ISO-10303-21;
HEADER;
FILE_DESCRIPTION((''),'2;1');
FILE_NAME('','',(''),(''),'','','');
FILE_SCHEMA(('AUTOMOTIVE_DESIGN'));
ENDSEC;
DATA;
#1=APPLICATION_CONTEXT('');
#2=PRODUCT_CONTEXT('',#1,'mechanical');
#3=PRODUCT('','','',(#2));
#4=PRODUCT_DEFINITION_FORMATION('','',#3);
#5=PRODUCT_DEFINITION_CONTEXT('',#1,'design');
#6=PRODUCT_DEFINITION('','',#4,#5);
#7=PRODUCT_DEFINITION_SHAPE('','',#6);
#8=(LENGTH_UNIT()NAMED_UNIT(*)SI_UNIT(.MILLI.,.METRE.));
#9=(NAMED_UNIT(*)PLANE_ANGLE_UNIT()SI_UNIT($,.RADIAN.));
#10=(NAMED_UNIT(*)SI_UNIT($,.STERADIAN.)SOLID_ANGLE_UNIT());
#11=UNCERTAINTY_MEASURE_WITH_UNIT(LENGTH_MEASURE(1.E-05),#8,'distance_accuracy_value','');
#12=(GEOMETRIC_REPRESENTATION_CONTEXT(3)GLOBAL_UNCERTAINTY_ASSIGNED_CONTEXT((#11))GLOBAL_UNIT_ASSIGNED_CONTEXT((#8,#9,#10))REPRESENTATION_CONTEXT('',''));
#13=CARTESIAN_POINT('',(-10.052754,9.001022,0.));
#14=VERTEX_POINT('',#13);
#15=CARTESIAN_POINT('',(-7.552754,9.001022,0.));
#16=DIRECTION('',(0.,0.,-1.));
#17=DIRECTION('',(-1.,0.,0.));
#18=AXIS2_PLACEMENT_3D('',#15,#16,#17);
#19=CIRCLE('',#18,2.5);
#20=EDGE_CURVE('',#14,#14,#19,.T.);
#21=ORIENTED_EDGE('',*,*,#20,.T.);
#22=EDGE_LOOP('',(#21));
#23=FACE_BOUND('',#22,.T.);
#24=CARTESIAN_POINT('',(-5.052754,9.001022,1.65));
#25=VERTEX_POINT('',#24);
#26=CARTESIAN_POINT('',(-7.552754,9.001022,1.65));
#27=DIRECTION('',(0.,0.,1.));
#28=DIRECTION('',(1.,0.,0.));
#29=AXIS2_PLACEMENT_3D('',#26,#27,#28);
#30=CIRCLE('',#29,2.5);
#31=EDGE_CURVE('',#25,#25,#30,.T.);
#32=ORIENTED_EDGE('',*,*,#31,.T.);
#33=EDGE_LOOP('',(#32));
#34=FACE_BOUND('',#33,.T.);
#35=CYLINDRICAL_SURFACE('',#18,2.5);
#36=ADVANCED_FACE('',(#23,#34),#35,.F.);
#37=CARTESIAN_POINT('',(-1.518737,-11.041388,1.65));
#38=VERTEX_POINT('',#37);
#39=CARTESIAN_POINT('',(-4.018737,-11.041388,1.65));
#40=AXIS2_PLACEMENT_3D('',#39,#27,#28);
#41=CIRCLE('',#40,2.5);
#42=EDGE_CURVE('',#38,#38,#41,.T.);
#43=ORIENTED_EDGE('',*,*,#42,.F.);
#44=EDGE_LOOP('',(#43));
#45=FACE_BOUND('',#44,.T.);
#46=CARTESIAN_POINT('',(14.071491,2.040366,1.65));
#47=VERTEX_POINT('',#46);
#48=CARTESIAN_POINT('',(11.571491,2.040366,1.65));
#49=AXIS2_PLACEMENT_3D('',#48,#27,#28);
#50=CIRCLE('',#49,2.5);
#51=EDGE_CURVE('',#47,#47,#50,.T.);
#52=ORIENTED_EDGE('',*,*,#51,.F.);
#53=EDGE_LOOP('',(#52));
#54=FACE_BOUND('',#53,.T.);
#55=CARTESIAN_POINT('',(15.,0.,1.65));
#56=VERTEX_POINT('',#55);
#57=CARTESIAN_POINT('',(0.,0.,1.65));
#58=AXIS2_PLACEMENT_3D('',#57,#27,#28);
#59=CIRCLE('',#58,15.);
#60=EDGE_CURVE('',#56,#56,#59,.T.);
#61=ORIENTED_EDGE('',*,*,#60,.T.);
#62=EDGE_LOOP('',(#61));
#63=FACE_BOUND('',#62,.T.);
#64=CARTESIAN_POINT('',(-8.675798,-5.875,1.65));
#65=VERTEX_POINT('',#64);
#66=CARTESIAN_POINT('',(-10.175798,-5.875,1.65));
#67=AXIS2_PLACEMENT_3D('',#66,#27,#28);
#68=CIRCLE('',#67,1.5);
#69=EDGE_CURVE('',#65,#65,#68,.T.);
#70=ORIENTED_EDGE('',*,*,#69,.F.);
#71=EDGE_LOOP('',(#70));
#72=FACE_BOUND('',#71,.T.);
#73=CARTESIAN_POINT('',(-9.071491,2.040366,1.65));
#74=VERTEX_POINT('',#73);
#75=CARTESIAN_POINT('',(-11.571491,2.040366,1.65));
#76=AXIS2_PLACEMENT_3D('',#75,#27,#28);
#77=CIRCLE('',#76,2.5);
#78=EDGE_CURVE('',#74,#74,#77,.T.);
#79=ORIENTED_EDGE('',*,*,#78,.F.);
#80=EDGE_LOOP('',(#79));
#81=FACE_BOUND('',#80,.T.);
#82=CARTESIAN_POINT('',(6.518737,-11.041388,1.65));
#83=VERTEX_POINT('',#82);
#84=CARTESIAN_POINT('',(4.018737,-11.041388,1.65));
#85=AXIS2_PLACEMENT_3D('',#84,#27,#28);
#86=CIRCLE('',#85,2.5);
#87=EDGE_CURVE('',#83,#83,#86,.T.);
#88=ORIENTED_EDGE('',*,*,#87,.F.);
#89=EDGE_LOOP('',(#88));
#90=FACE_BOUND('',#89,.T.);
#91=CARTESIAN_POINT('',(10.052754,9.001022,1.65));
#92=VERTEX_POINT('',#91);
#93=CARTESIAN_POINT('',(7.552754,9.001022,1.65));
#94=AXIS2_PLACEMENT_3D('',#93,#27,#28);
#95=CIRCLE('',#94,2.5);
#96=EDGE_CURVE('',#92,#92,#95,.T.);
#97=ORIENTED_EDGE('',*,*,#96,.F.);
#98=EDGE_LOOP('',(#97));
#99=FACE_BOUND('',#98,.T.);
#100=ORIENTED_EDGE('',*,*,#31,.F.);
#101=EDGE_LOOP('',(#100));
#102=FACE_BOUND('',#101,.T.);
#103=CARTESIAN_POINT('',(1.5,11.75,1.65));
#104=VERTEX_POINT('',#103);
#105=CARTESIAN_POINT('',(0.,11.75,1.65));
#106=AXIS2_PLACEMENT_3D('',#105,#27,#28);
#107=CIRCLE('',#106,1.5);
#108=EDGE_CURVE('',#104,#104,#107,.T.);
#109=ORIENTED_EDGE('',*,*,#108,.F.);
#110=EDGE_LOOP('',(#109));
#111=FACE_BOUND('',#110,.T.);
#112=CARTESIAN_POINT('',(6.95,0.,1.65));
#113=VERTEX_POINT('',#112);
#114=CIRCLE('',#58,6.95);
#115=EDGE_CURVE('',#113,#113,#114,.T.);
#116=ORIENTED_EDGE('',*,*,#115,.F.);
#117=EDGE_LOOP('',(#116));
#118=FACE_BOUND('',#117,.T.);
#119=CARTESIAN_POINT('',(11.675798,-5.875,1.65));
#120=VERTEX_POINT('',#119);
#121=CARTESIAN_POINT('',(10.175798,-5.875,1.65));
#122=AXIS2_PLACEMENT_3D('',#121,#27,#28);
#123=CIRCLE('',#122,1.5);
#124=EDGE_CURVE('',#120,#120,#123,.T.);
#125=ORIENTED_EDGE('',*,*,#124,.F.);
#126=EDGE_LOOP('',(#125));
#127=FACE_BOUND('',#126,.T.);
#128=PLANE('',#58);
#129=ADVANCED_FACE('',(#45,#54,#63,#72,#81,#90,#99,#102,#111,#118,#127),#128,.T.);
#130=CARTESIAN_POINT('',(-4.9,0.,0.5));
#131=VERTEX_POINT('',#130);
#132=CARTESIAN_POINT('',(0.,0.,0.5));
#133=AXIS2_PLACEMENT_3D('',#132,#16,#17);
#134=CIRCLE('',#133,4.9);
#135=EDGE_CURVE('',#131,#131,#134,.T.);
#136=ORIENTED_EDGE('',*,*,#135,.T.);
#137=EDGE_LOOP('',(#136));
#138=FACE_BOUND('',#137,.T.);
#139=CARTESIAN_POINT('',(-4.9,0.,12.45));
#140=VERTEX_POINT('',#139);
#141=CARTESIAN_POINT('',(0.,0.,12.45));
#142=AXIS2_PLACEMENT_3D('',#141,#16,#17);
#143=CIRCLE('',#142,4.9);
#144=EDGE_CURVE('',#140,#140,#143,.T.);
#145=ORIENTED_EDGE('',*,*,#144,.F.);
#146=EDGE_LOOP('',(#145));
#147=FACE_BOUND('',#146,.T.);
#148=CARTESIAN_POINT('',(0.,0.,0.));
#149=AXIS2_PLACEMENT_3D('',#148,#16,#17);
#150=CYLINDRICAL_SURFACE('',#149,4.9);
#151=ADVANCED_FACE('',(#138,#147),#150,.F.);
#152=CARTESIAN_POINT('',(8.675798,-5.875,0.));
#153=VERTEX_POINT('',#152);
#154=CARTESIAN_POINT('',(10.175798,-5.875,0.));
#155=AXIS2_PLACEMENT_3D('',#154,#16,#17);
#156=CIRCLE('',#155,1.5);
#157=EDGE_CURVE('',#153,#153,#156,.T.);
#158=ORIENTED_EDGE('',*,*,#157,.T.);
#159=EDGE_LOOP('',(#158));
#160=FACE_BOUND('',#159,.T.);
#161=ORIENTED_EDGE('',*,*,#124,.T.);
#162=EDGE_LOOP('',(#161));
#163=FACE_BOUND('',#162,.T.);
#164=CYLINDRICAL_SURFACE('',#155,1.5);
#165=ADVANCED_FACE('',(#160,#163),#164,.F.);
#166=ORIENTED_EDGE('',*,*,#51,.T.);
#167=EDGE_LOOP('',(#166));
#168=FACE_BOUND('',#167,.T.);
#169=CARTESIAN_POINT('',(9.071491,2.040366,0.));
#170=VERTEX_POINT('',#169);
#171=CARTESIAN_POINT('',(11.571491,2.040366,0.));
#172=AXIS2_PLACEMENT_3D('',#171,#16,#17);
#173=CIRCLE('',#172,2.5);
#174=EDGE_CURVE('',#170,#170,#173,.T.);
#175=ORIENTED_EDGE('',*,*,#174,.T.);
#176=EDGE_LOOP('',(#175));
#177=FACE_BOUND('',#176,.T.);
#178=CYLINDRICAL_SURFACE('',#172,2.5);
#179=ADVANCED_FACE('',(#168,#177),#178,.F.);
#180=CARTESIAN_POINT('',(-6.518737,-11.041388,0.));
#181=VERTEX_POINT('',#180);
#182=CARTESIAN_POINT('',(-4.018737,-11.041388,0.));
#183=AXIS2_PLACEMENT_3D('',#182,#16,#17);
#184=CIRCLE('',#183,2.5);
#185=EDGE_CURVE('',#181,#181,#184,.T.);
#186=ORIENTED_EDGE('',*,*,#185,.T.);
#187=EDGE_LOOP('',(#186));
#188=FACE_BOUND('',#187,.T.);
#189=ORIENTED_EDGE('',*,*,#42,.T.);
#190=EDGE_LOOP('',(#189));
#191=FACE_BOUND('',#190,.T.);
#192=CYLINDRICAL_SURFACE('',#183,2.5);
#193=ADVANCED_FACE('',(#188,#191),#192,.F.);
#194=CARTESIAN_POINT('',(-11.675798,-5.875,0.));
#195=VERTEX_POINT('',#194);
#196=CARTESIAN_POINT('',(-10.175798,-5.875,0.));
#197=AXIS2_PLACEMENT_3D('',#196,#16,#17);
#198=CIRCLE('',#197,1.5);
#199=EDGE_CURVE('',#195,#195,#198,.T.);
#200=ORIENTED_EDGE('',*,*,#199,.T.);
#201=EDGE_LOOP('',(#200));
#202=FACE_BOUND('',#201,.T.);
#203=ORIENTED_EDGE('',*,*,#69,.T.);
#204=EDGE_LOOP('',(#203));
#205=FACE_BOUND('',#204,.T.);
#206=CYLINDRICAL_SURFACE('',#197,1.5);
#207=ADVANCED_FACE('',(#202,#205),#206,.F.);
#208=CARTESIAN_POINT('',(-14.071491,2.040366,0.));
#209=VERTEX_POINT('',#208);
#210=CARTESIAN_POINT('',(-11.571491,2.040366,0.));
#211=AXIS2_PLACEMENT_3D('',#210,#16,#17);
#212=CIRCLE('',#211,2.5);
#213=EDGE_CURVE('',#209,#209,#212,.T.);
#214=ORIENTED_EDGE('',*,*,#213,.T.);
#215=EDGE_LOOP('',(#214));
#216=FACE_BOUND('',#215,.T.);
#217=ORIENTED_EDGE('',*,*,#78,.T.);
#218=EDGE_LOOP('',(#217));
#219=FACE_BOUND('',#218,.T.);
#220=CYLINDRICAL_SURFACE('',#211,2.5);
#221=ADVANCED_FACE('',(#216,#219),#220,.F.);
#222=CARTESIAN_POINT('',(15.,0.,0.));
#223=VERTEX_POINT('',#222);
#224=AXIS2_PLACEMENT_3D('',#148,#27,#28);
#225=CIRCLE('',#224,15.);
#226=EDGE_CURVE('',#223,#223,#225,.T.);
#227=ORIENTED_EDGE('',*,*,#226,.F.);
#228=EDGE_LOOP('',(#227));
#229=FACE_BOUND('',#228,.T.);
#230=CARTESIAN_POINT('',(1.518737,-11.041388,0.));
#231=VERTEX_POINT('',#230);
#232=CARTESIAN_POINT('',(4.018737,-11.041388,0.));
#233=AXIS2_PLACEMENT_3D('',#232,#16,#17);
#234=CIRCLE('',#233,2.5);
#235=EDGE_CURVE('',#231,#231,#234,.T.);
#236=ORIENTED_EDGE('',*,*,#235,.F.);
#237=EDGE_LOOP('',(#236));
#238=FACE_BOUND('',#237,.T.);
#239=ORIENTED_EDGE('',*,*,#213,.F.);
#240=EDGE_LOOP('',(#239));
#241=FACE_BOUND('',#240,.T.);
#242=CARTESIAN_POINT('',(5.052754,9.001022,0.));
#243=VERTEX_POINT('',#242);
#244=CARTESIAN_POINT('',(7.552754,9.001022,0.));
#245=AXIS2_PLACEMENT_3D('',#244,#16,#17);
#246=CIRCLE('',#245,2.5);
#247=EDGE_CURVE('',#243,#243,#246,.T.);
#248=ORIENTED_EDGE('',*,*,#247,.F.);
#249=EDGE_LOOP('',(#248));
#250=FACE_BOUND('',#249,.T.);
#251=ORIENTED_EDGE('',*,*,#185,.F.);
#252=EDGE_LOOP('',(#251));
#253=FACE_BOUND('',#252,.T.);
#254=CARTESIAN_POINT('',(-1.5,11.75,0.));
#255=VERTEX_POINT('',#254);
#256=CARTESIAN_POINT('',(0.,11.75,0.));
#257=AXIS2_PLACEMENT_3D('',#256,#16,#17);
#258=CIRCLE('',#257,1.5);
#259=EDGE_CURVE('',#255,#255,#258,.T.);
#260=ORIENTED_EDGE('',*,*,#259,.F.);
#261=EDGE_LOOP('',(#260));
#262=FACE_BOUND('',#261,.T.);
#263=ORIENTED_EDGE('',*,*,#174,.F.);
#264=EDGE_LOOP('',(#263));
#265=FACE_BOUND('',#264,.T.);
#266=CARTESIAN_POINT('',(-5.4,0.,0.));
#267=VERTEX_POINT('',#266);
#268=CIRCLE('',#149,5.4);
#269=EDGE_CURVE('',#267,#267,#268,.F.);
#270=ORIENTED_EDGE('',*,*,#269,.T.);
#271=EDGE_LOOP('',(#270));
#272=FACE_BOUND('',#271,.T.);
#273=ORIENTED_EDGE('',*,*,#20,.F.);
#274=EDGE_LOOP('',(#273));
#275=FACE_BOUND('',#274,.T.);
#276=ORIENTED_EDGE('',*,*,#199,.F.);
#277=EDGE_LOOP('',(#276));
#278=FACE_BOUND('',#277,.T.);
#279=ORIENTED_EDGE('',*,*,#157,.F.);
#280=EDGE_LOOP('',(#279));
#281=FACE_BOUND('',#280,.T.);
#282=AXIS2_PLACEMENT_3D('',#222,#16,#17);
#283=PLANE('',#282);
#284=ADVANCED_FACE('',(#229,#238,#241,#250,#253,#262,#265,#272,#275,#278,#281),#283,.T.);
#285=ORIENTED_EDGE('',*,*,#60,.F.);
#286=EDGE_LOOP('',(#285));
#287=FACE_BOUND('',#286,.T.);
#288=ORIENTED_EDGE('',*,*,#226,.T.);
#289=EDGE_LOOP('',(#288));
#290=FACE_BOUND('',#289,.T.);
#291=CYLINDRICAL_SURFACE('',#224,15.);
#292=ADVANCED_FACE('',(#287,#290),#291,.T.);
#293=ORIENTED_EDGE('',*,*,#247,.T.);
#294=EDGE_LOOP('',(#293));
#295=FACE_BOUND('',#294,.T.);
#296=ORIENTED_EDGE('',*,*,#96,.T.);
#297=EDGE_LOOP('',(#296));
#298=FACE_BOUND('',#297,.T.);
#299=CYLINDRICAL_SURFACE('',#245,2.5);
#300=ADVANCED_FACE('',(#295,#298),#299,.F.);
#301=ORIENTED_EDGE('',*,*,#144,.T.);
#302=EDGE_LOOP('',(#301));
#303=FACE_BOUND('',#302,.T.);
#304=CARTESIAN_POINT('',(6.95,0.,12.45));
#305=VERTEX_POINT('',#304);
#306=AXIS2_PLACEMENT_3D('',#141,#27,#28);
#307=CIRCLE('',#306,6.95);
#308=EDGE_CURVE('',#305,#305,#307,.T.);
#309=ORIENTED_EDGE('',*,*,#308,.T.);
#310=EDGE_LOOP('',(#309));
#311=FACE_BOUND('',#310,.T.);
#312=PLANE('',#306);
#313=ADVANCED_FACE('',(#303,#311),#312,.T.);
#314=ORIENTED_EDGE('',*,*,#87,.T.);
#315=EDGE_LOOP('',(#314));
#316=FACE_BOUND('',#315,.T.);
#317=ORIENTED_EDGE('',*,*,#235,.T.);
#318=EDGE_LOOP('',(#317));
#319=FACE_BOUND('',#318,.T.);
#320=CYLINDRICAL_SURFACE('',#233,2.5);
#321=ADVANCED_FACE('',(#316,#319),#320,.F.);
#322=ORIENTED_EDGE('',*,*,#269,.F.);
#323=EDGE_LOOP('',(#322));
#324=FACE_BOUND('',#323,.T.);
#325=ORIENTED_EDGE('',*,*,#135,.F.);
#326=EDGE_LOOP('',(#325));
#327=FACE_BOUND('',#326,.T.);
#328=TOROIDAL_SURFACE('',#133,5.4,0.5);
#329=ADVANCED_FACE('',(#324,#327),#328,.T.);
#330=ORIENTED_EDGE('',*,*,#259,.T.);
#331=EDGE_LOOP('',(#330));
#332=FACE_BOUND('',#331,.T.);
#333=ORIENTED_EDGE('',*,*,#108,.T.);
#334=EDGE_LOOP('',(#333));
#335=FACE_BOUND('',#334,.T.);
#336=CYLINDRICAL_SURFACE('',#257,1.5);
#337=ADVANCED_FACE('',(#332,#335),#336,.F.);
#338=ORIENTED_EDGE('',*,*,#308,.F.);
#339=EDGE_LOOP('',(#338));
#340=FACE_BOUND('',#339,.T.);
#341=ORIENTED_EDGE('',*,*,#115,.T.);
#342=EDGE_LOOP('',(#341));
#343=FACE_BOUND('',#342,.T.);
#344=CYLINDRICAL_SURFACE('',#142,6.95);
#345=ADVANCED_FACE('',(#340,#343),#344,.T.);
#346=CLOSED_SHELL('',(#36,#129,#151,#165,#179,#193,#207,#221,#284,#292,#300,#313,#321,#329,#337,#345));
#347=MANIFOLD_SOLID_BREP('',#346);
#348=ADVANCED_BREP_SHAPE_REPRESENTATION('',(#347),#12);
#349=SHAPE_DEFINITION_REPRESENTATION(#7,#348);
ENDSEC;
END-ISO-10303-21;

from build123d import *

# Parameters (mm, degrees)
SKETCH1_W                      = 15
SKETCH1_H                      = 1.65
SKETCH2_R                      = 6.95
BOSS_EXTRUDE1_DEPTH            = 10.8
F_5_0_5_DIAMETER_HOLE1_D       = 5
F_5_0_5_DIAMETER_HOLE1_DEPTH   = 12.45
F_3_0_3_DIAMETER_HOLE1_D       = 3
F_3_0_3_DIAMETER_HOLE1_DEPTH   = 12.45
F_9_8_9_8_DIAMETER_HOLE1_D     = 9.8
F_9_8_9_8_DIAMETER_HOLE1_DEPTH = 12.45
FILLET1_R                      = 0.5


with BuildPart() as part:
    # Sketch1 → Revolve1 (revolve)
    with BuildSketch(Plane(origin=(0, 0, 0), x_dir=(1, 0, 0), z_dir=(0, 1, 0))):
        with Locations((7.5, -0.825)):
            Rectangle(SKETCH1_W, SKETCH1_H)
    revolve(axis=Axis((0, 0, 0), (0, 0, 1)))

    # Sketch2 → Boss-Extrude1 (add)
    with BuildSketch(Plane.XY.offset(1.65)):
        Circle(SKETCH2_R)
    extrude(amount=BOSS_EXTRUDE1_DEPTH)

    # Ø5.0 (5) Diameter Hole1
    with Locations(Plane(origin=(0, 0, 0), x_dir=(-1, 0, 0), z_dir=(0, 0, -1))):
        with Locations((7.552754414, 9.001022207), (11.571491098, 2.040366088), (4.018736684, -11.041388294), (-4.018736684, -11.041388294), (-11.571491098, 2.040366088), (-7.552754414, 9.001022207)):
            Hole(F_5_0_5_DIAMETER_HOLE1_D / 2, depth=F_5_0_5_DIAMETER_HOLE1_DEPTH)

    # Ø3.0 (3) Diameter Hole1
    with Locations(Plane(origin=(0, 0, 0), x_dir=(-1, 0, 0), z_dir=(0, 0, -1))):
        with Locations((0, 11.75), (10.175798494, -5.875), (-10.175798494, -5.875)):
            Hole(F_3_0_3_DIAMETER_HOLE1_D / 2, depth=F_3_0_3_DIAMETER_HOLE1_DEPTH)

    # Ø9.8 (9.8) Diameter Hole1
    with Locations(Plane(origin=(0, 0, 0), x_dir=(-1, 0, 0), z_dir=(0, 0, -1))):
        with Locations((0, 0)):
            Hole(F_9_8_9_8_DIAMETER_HOLE1_D / 2, depth=F_9_8_9_8_DIAMETER_HOLE1_DEPTH)

    # Fillet1
    fillet1_edges = [part.edges().sort_by_distance(p)[0] for p in [
        (-4.9, 0, 0),
    ]]
    fillet(fillet1_edges, radius=FILLET1_R)


solid = part.part
